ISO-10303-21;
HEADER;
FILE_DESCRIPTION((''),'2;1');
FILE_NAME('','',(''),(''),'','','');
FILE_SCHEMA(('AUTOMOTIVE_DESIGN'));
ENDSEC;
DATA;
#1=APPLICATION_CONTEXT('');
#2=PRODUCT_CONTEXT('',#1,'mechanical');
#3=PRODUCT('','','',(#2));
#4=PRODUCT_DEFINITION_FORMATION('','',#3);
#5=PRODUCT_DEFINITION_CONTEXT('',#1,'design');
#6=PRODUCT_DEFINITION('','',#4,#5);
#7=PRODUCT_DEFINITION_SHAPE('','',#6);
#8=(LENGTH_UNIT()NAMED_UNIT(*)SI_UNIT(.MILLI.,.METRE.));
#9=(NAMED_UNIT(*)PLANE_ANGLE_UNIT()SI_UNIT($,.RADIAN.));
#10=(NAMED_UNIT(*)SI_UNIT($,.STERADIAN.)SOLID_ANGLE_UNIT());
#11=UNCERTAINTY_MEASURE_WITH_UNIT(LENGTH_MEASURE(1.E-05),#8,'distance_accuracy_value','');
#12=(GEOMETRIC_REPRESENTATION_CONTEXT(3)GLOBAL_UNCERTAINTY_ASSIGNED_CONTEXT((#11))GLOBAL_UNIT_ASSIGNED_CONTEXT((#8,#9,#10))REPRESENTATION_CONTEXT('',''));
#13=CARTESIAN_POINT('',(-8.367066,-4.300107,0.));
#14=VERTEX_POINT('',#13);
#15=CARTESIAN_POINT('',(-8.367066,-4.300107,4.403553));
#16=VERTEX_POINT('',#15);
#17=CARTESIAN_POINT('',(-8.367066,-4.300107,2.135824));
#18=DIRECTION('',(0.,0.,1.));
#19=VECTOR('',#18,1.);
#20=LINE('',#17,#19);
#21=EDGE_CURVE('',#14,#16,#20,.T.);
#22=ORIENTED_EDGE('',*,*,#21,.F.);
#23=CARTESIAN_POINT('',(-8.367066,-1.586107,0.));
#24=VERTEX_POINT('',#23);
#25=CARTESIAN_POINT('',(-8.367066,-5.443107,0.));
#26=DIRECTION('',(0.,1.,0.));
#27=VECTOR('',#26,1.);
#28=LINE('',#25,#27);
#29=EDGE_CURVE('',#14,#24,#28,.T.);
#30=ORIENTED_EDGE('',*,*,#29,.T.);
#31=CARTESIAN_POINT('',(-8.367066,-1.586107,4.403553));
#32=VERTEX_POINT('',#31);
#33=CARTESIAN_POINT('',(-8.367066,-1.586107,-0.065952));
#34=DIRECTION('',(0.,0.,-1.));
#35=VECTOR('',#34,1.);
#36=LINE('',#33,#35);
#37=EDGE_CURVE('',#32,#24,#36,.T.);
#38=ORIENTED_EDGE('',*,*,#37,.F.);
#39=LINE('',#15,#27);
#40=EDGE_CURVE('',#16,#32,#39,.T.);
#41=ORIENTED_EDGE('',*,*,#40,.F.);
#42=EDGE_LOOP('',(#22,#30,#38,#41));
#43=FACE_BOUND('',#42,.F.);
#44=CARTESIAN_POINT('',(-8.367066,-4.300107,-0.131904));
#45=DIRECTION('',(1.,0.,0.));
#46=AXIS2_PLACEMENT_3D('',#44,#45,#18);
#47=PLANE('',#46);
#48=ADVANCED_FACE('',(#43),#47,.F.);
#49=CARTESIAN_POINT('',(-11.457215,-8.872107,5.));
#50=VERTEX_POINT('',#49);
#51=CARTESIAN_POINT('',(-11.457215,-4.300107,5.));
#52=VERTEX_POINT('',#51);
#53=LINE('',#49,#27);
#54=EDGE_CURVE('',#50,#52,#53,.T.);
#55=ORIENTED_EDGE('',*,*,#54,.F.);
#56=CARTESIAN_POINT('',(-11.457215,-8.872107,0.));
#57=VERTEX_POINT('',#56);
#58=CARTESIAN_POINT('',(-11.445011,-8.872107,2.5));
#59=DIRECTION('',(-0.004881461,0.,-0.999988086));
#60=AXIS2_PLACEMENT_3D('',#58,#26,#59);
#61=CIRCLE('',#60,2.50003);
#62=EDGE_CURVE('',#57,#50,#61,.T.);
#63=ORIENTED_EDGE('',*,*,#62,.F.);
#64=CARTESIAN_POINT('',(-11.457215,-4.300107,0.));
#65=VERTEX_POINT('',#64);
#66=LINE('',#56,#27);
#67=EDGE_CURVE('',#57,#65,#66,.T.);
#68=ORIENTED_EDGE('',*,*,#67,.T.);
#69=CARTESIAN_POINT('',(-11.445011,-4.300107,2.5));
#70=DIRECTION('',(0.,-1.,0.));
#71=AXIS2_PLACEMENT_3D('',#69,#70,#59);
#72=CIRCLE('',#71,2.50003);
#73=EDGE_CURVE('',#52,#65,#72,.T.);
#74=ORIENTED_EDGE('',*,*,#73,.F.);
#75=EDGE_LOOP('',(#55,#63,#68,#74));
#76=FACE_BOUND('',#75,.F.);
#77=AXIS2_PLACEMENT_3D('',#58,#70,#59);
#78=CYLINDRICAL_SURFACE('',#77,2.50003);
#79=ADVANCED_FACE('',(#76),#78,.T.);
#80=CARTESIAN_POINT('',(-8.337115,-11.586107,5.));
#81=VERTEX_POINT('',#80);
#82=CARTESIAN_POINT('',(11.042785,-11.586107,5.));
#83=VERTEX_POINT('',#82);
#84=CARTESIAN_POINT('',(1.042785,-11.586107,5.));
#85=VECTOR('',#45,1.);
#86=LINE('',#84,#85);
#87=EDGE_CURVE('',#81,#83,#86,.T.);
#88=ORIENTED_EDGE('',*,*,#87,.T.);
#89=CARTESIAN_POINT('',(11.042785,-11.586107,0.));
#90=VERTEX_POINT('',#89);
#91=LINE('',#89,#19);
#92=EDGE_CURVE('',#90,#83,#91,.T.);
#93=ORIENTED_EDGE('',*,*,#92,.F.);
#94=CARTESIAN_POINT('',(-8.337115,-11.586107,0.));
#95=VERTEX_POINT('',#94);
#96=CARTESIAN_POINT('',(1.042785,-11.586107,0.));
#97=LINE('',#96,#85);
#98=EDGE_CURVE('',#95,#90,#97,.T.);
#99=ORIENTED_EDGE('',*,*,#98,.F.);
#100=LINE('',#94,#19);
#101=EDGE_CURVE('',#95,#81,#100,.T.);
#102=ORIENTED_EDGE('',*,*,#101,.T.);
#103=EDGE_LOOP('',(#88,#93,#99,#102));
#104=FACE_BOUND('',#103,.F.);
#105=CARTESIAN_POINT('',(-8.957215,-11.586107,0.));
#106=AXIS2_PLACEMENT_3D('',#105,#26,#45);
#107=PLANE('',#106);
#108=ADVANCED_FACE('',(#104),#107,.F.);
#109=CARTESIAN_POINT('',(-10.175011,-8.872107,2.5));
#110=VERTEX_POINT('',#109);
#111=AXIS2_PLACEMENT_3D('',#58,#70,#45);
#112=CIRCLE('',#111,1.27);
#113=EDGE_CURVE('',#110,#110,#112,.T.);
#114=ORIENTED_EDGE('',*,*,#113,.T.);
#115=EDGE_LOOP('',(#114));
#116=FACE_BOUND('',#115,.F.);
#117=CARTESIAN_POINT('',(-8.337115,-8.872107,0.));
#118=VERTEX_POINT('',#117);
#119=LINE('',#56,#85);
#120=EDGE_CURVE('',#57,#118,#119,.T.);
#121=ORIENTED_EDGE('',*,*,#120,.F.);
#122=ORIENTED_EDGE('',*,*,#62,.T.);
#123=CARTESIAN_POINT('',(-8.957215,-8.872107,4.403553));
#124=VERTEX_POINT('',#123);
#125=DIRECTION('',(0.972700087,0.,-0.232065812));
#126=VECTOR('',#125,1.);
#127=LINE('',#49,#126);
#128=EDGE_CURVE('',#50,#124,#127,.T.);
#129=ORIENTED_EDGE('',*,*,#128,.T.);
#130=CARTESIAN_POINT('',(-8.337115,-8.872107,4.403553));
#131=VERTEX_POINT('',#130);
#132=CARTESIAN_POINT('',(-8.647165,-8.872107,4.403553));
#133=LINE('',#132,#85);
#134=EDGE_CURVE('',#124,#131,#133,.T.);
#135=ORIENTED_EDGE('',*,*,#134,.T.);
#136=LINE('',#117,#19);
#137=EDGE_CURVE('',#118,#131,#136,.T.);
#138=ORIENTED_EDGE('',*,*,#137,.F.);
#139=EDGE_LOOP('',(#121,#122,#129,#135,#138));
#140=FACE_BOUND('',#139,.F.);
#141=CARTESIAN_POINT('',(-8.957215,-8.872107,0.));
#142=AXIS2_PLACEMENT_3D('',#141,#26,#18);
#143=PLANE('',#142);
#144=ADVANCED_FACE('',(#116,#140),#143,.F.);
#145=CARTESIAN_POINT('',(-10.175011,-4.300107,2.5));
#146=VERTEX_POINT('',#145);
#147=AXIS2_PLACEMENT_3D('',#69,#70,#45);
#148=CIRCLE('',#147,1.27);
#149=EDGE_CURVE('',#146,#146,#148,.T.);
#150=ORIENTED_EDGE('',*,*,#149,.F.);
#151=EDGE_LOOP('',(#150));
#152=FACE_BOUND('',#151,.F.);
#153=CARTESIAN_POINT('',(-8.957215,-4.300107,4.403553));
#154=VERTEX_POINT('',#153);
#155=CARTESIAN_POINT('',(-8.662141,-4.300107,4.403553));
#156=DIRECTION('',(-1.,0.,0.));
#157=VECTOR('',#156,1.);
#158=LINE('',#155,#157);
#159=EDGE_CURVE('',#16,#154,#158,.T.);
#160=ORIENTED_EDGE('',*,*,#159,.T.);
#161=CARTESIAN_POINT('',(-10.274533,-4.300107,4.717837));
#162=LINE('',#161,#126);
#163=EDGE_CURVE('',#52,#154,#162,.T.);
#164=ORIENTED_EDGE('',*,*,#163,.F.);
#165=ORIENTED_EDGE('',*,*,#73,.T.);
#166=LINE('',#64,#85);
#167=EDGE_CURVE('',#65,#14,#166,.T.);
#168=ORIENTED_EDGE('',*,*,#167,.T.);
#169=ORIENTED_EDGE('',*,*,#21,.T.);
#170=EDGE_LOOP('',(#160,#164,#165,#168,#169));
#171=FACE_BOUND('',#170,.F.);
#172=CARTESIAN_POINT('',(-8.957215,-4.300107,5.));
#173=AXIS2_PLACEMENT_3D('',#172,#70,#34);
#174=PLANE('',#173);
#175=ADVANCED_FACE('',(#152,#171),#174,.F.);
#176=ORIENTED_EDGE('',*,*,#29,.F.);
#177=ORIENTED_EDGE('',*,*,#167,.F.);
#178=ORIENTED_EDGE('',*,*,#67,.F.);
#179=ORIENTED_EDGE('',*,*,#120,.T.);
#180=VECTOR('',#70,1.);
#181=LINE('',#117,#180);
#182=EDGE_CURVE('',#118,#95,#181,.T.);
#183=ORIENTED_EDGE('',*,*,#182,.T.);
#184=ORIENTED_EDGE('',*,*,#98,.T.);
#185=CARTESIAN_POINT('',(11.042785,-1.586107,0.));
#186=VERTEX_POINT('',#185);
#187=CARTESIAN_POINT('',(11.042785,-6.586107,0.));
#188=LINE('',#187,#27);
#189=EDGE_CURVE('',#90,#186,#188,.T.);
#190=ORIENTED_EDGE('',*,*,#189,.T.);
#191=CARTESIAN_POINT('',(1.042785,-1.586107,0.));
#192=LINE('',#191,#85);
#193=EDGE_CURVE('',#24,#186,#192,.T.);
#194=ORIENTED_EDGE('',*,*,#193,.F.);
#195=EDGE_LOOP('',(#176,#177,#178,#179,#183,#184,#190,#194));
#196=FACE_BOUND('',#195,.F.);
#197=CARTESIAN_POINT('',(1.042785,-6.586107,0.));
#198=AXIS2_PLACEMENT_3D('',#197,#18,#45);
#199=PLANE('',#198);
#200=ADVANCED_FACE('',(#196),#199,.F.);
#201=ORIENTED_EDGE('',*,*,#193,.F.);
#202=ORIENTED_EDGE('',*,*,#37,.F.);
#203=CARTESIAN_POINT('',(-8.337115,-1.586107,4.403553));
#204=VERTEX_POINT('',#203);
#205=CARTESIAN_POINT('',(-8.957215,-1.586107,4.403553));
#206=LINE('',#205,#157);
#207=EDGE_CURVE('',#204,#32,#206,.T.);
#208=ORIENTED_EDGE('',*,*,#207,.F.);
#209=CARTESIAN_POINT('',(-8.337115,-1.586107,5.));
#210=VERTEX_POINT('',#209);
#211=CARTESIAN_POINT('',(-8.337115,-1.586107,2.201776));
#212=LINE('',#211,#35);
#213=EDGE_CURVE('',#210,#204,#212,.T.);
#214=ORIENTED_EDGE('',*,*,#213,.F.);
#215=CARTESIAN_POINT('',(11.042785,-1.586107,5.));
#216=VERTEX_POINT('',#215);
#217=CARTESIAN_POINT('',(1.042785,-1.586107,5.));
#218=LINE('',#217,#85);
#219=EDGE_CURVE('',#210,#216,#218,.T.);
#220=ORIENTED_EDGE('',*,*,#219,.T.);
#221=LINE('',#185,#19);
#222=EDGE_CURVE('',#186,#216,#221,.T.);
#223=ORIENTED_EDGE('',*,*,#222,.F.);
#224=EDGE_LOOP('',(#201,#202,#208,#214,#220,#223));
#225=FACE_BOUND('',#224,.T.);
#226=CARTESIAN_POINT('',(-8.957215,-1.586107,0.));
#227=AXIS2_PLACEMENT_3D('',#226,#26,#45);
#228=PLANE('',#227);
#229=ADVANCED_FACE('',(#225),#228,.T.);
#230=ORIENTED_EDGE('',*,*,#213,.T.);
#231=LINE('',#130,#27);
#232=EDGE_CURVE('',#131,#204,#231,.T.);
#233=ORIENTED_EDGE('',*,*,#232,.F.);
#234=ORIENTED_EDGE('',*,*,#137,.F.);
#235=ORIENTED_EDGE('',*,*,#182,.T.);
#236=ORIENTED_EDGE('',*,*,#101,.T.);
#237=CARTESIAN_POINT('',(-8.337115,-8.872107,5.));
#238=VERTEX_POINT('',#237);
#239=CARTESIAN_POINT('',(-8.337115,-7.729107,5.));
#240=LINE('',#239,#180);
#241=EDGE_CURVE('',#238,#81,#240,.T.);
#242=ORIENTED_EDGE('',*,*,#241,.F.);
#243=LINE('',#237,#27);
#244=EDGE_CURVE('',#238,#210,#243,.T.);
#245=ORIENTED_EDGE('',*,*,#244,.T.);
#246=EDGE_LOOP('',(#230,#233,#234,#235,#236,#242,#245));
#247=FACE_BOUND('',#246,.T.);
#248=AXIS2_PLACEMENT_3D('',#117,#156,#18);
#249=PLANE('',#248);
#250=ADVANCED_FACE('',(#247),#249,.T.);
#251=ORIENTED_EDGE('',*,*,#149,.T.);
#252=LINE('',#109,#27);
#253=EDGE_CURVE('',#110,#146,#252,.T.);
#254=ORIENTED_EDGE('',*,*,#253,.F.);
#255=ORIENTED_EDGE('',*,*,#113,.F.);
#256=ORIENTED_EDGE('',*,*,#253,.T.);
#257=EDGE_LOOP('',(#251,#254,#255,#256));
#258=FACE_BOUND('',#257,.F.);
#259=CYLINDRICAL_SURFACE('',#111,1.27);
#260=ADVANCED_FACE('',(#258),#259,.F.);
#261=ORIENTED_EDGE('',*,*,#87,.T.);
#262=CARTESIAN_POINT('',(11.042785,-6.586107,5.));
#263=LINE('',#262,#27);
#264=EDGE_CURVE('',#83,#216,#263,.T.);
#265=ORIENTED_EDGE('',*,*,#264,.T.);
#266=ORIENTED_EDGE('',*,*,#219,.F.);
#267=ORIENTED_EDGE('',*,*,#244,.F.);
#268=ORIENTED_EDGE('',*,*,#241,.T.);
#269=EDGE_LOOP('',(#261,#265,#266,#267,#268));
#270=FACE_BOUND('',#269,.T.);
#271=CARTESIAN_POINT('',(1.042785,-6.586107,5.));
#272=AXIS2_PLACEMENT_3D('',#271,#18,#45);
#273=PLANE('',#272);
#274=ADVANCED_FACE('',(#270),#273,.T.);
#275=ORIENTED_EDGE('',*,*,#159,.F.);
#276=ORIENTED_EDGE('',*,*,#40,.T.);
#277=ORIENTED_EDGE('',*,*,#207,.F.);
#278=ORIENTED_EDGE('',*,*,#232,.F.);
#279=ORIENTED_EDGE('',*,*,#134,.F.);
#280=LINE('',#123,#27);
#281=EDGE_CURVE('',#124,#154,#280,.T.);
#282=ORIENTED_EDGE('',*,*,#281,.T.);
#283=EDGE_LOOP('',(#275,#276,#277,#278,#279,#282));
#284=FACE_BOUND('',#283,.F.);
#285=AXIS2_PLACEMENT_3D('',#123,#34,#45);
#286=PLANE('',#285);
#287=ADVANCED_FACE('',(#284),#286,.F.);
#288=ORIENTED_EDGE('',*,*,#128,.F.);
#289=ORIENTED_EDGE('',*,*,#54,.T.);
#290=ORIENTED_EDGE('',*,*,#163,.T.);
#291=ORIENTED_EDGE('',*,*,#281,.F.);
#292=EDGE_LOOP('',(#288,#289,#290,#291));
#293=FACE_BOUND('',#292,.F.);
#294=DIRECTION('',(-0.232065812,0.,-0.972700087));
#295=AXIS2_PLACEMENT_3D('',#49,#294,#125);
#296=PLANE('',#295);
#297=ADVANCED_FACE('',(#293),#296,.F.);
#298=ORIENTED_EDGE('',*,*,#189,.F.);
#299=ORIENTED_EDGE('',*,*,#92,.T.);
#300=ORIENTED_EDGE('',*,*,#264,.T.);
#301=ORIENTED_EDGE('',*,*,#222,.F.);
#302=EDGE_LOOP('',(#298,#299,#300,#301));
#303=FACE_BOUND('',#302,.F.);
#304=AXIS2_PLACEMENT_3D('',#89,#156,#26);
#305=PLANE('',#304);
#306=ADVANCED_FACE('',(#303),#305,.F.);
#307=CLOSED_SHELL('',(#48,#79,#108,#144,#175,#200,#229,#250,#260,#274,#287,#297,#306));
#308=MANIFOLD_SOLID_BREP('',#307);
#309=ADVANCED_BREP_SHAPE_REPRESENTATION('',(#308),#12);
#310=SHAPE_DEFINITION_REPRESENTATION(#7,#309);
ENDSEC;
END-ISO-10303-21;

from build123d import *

# Parameters (mm, degrees)
F0_W      = 20
F0_H      = 10
F1_DEPTH  = 5
F3_DEPTH  = 5
F4_R      = 1.27
F5_DEPTH  = 7.287
F7_DEPTH  = 25.4
F9_DEPTH  = 25.4
F10_W     = 0.6200999394
F10_H     = 0.5964474939
F11_DEPTH = 25.4
F12_W     = 0.5901486054
F12_H     = 4.5354563772
F13_DEPTH = 25.4


with BuildPart() as f1:
    # F0 (on Top) → F1 (new body)
    with BuildSketch(Plane.XY):
        with Locations((1.042785123, -6.5861073174)):
            Rectangle(F0_W, F0_H)
    extrude(amount=F1_DEPTH)

    # F2 (on face) → F3 (join)
    with BuildSketch(Plane(origin=(-8.957214877, 0, 0), x_dir=(0, -1, 0), z_dir=(-1, 0, 0))):
        Polygon((4.3001073174, 0), (6.5861073174, 0), (8.8721073174, 0), (8.8721073174, 5), (6.5861073174, 5), (4.3001073174, 5), align=None)
    extrude(amount=F3_DEPTH)

    # F4 (on face) → F5 (cut, through all)
    with BuildSketch(Plane.XZ.offset(8.8721073174)):
        with BuildLine():
            ThreePointArc((-11.457214877, 0), (-13.9450408659, 2.5), (-11.457214877, 5))
            Line((-11.457214877, 5), (-14.9464672431, 5.5829798803))
            Line((-14.9464672431, 5.5829798803), (-15.761434359, 0.3301068575))
            Line((-15.761434359, 0.3301068575), (-11.6382623091, -0.7145671407))
            Line((-11.6382623091, -0.7145671407), (-11.457214877, 0))
        make_face()
        with Locations((-11.4450110796, 2.5)):
            Circle(F4_R)
    extrude(amount=-F5_DEPTH, mode=Mode.SUBTRACT)

    # F6 (on face) → F7 (cut)
    with BuildSketch(Plane.XZ.offset(8.8721073174)):
        Polygon((-8.957214877, 5), (-11.457214877, 5), (-8.957214877, 4.4035525061), align=None)
    extrude(amount=-F7_DEPTH, mode=Mode.SUBTRACT)

    # F8 (on face) → F9 (cut)
    with BuildSketch(Plane.XZ.offset(8.8721073174)):
        Polygon((-8.957214877, 5.1671843976), (-8.957214877, 4.4035525061), (-8.957214877, 0), (-8.3371149376, 0), (-8.3371149376, 5.1671843976), align=None)
    extrude(amount=F9_DEPTH, mode=Mode.SUBTRACT)

    # F10 (on face) → F11 (cut)
    with BuildSketch(Plane.XZ.offset(8.8721073174)):
        with Locations((-8.6471649073, 4.7017762531)):
            Rectangle(F10_W, F10_H)
    extrude(amount=-F11_DEPTH, mode=Mode.SUBTRACT)

    # F12 (on face) → F13 (cut)
    with BuildSketch(Plane(origin=(0, -4.3001073174, 0), x_dir=(-1, 0, 0), z_dir=(0, 1, 0))):
        with Locations((8.6621405743, 2.1358243175)):
            Rectangle(F12_W, F12_H)
    extrude(amount=F13_DEPTH, mode=Mode.SUBTRACT)


solid = f1.part
